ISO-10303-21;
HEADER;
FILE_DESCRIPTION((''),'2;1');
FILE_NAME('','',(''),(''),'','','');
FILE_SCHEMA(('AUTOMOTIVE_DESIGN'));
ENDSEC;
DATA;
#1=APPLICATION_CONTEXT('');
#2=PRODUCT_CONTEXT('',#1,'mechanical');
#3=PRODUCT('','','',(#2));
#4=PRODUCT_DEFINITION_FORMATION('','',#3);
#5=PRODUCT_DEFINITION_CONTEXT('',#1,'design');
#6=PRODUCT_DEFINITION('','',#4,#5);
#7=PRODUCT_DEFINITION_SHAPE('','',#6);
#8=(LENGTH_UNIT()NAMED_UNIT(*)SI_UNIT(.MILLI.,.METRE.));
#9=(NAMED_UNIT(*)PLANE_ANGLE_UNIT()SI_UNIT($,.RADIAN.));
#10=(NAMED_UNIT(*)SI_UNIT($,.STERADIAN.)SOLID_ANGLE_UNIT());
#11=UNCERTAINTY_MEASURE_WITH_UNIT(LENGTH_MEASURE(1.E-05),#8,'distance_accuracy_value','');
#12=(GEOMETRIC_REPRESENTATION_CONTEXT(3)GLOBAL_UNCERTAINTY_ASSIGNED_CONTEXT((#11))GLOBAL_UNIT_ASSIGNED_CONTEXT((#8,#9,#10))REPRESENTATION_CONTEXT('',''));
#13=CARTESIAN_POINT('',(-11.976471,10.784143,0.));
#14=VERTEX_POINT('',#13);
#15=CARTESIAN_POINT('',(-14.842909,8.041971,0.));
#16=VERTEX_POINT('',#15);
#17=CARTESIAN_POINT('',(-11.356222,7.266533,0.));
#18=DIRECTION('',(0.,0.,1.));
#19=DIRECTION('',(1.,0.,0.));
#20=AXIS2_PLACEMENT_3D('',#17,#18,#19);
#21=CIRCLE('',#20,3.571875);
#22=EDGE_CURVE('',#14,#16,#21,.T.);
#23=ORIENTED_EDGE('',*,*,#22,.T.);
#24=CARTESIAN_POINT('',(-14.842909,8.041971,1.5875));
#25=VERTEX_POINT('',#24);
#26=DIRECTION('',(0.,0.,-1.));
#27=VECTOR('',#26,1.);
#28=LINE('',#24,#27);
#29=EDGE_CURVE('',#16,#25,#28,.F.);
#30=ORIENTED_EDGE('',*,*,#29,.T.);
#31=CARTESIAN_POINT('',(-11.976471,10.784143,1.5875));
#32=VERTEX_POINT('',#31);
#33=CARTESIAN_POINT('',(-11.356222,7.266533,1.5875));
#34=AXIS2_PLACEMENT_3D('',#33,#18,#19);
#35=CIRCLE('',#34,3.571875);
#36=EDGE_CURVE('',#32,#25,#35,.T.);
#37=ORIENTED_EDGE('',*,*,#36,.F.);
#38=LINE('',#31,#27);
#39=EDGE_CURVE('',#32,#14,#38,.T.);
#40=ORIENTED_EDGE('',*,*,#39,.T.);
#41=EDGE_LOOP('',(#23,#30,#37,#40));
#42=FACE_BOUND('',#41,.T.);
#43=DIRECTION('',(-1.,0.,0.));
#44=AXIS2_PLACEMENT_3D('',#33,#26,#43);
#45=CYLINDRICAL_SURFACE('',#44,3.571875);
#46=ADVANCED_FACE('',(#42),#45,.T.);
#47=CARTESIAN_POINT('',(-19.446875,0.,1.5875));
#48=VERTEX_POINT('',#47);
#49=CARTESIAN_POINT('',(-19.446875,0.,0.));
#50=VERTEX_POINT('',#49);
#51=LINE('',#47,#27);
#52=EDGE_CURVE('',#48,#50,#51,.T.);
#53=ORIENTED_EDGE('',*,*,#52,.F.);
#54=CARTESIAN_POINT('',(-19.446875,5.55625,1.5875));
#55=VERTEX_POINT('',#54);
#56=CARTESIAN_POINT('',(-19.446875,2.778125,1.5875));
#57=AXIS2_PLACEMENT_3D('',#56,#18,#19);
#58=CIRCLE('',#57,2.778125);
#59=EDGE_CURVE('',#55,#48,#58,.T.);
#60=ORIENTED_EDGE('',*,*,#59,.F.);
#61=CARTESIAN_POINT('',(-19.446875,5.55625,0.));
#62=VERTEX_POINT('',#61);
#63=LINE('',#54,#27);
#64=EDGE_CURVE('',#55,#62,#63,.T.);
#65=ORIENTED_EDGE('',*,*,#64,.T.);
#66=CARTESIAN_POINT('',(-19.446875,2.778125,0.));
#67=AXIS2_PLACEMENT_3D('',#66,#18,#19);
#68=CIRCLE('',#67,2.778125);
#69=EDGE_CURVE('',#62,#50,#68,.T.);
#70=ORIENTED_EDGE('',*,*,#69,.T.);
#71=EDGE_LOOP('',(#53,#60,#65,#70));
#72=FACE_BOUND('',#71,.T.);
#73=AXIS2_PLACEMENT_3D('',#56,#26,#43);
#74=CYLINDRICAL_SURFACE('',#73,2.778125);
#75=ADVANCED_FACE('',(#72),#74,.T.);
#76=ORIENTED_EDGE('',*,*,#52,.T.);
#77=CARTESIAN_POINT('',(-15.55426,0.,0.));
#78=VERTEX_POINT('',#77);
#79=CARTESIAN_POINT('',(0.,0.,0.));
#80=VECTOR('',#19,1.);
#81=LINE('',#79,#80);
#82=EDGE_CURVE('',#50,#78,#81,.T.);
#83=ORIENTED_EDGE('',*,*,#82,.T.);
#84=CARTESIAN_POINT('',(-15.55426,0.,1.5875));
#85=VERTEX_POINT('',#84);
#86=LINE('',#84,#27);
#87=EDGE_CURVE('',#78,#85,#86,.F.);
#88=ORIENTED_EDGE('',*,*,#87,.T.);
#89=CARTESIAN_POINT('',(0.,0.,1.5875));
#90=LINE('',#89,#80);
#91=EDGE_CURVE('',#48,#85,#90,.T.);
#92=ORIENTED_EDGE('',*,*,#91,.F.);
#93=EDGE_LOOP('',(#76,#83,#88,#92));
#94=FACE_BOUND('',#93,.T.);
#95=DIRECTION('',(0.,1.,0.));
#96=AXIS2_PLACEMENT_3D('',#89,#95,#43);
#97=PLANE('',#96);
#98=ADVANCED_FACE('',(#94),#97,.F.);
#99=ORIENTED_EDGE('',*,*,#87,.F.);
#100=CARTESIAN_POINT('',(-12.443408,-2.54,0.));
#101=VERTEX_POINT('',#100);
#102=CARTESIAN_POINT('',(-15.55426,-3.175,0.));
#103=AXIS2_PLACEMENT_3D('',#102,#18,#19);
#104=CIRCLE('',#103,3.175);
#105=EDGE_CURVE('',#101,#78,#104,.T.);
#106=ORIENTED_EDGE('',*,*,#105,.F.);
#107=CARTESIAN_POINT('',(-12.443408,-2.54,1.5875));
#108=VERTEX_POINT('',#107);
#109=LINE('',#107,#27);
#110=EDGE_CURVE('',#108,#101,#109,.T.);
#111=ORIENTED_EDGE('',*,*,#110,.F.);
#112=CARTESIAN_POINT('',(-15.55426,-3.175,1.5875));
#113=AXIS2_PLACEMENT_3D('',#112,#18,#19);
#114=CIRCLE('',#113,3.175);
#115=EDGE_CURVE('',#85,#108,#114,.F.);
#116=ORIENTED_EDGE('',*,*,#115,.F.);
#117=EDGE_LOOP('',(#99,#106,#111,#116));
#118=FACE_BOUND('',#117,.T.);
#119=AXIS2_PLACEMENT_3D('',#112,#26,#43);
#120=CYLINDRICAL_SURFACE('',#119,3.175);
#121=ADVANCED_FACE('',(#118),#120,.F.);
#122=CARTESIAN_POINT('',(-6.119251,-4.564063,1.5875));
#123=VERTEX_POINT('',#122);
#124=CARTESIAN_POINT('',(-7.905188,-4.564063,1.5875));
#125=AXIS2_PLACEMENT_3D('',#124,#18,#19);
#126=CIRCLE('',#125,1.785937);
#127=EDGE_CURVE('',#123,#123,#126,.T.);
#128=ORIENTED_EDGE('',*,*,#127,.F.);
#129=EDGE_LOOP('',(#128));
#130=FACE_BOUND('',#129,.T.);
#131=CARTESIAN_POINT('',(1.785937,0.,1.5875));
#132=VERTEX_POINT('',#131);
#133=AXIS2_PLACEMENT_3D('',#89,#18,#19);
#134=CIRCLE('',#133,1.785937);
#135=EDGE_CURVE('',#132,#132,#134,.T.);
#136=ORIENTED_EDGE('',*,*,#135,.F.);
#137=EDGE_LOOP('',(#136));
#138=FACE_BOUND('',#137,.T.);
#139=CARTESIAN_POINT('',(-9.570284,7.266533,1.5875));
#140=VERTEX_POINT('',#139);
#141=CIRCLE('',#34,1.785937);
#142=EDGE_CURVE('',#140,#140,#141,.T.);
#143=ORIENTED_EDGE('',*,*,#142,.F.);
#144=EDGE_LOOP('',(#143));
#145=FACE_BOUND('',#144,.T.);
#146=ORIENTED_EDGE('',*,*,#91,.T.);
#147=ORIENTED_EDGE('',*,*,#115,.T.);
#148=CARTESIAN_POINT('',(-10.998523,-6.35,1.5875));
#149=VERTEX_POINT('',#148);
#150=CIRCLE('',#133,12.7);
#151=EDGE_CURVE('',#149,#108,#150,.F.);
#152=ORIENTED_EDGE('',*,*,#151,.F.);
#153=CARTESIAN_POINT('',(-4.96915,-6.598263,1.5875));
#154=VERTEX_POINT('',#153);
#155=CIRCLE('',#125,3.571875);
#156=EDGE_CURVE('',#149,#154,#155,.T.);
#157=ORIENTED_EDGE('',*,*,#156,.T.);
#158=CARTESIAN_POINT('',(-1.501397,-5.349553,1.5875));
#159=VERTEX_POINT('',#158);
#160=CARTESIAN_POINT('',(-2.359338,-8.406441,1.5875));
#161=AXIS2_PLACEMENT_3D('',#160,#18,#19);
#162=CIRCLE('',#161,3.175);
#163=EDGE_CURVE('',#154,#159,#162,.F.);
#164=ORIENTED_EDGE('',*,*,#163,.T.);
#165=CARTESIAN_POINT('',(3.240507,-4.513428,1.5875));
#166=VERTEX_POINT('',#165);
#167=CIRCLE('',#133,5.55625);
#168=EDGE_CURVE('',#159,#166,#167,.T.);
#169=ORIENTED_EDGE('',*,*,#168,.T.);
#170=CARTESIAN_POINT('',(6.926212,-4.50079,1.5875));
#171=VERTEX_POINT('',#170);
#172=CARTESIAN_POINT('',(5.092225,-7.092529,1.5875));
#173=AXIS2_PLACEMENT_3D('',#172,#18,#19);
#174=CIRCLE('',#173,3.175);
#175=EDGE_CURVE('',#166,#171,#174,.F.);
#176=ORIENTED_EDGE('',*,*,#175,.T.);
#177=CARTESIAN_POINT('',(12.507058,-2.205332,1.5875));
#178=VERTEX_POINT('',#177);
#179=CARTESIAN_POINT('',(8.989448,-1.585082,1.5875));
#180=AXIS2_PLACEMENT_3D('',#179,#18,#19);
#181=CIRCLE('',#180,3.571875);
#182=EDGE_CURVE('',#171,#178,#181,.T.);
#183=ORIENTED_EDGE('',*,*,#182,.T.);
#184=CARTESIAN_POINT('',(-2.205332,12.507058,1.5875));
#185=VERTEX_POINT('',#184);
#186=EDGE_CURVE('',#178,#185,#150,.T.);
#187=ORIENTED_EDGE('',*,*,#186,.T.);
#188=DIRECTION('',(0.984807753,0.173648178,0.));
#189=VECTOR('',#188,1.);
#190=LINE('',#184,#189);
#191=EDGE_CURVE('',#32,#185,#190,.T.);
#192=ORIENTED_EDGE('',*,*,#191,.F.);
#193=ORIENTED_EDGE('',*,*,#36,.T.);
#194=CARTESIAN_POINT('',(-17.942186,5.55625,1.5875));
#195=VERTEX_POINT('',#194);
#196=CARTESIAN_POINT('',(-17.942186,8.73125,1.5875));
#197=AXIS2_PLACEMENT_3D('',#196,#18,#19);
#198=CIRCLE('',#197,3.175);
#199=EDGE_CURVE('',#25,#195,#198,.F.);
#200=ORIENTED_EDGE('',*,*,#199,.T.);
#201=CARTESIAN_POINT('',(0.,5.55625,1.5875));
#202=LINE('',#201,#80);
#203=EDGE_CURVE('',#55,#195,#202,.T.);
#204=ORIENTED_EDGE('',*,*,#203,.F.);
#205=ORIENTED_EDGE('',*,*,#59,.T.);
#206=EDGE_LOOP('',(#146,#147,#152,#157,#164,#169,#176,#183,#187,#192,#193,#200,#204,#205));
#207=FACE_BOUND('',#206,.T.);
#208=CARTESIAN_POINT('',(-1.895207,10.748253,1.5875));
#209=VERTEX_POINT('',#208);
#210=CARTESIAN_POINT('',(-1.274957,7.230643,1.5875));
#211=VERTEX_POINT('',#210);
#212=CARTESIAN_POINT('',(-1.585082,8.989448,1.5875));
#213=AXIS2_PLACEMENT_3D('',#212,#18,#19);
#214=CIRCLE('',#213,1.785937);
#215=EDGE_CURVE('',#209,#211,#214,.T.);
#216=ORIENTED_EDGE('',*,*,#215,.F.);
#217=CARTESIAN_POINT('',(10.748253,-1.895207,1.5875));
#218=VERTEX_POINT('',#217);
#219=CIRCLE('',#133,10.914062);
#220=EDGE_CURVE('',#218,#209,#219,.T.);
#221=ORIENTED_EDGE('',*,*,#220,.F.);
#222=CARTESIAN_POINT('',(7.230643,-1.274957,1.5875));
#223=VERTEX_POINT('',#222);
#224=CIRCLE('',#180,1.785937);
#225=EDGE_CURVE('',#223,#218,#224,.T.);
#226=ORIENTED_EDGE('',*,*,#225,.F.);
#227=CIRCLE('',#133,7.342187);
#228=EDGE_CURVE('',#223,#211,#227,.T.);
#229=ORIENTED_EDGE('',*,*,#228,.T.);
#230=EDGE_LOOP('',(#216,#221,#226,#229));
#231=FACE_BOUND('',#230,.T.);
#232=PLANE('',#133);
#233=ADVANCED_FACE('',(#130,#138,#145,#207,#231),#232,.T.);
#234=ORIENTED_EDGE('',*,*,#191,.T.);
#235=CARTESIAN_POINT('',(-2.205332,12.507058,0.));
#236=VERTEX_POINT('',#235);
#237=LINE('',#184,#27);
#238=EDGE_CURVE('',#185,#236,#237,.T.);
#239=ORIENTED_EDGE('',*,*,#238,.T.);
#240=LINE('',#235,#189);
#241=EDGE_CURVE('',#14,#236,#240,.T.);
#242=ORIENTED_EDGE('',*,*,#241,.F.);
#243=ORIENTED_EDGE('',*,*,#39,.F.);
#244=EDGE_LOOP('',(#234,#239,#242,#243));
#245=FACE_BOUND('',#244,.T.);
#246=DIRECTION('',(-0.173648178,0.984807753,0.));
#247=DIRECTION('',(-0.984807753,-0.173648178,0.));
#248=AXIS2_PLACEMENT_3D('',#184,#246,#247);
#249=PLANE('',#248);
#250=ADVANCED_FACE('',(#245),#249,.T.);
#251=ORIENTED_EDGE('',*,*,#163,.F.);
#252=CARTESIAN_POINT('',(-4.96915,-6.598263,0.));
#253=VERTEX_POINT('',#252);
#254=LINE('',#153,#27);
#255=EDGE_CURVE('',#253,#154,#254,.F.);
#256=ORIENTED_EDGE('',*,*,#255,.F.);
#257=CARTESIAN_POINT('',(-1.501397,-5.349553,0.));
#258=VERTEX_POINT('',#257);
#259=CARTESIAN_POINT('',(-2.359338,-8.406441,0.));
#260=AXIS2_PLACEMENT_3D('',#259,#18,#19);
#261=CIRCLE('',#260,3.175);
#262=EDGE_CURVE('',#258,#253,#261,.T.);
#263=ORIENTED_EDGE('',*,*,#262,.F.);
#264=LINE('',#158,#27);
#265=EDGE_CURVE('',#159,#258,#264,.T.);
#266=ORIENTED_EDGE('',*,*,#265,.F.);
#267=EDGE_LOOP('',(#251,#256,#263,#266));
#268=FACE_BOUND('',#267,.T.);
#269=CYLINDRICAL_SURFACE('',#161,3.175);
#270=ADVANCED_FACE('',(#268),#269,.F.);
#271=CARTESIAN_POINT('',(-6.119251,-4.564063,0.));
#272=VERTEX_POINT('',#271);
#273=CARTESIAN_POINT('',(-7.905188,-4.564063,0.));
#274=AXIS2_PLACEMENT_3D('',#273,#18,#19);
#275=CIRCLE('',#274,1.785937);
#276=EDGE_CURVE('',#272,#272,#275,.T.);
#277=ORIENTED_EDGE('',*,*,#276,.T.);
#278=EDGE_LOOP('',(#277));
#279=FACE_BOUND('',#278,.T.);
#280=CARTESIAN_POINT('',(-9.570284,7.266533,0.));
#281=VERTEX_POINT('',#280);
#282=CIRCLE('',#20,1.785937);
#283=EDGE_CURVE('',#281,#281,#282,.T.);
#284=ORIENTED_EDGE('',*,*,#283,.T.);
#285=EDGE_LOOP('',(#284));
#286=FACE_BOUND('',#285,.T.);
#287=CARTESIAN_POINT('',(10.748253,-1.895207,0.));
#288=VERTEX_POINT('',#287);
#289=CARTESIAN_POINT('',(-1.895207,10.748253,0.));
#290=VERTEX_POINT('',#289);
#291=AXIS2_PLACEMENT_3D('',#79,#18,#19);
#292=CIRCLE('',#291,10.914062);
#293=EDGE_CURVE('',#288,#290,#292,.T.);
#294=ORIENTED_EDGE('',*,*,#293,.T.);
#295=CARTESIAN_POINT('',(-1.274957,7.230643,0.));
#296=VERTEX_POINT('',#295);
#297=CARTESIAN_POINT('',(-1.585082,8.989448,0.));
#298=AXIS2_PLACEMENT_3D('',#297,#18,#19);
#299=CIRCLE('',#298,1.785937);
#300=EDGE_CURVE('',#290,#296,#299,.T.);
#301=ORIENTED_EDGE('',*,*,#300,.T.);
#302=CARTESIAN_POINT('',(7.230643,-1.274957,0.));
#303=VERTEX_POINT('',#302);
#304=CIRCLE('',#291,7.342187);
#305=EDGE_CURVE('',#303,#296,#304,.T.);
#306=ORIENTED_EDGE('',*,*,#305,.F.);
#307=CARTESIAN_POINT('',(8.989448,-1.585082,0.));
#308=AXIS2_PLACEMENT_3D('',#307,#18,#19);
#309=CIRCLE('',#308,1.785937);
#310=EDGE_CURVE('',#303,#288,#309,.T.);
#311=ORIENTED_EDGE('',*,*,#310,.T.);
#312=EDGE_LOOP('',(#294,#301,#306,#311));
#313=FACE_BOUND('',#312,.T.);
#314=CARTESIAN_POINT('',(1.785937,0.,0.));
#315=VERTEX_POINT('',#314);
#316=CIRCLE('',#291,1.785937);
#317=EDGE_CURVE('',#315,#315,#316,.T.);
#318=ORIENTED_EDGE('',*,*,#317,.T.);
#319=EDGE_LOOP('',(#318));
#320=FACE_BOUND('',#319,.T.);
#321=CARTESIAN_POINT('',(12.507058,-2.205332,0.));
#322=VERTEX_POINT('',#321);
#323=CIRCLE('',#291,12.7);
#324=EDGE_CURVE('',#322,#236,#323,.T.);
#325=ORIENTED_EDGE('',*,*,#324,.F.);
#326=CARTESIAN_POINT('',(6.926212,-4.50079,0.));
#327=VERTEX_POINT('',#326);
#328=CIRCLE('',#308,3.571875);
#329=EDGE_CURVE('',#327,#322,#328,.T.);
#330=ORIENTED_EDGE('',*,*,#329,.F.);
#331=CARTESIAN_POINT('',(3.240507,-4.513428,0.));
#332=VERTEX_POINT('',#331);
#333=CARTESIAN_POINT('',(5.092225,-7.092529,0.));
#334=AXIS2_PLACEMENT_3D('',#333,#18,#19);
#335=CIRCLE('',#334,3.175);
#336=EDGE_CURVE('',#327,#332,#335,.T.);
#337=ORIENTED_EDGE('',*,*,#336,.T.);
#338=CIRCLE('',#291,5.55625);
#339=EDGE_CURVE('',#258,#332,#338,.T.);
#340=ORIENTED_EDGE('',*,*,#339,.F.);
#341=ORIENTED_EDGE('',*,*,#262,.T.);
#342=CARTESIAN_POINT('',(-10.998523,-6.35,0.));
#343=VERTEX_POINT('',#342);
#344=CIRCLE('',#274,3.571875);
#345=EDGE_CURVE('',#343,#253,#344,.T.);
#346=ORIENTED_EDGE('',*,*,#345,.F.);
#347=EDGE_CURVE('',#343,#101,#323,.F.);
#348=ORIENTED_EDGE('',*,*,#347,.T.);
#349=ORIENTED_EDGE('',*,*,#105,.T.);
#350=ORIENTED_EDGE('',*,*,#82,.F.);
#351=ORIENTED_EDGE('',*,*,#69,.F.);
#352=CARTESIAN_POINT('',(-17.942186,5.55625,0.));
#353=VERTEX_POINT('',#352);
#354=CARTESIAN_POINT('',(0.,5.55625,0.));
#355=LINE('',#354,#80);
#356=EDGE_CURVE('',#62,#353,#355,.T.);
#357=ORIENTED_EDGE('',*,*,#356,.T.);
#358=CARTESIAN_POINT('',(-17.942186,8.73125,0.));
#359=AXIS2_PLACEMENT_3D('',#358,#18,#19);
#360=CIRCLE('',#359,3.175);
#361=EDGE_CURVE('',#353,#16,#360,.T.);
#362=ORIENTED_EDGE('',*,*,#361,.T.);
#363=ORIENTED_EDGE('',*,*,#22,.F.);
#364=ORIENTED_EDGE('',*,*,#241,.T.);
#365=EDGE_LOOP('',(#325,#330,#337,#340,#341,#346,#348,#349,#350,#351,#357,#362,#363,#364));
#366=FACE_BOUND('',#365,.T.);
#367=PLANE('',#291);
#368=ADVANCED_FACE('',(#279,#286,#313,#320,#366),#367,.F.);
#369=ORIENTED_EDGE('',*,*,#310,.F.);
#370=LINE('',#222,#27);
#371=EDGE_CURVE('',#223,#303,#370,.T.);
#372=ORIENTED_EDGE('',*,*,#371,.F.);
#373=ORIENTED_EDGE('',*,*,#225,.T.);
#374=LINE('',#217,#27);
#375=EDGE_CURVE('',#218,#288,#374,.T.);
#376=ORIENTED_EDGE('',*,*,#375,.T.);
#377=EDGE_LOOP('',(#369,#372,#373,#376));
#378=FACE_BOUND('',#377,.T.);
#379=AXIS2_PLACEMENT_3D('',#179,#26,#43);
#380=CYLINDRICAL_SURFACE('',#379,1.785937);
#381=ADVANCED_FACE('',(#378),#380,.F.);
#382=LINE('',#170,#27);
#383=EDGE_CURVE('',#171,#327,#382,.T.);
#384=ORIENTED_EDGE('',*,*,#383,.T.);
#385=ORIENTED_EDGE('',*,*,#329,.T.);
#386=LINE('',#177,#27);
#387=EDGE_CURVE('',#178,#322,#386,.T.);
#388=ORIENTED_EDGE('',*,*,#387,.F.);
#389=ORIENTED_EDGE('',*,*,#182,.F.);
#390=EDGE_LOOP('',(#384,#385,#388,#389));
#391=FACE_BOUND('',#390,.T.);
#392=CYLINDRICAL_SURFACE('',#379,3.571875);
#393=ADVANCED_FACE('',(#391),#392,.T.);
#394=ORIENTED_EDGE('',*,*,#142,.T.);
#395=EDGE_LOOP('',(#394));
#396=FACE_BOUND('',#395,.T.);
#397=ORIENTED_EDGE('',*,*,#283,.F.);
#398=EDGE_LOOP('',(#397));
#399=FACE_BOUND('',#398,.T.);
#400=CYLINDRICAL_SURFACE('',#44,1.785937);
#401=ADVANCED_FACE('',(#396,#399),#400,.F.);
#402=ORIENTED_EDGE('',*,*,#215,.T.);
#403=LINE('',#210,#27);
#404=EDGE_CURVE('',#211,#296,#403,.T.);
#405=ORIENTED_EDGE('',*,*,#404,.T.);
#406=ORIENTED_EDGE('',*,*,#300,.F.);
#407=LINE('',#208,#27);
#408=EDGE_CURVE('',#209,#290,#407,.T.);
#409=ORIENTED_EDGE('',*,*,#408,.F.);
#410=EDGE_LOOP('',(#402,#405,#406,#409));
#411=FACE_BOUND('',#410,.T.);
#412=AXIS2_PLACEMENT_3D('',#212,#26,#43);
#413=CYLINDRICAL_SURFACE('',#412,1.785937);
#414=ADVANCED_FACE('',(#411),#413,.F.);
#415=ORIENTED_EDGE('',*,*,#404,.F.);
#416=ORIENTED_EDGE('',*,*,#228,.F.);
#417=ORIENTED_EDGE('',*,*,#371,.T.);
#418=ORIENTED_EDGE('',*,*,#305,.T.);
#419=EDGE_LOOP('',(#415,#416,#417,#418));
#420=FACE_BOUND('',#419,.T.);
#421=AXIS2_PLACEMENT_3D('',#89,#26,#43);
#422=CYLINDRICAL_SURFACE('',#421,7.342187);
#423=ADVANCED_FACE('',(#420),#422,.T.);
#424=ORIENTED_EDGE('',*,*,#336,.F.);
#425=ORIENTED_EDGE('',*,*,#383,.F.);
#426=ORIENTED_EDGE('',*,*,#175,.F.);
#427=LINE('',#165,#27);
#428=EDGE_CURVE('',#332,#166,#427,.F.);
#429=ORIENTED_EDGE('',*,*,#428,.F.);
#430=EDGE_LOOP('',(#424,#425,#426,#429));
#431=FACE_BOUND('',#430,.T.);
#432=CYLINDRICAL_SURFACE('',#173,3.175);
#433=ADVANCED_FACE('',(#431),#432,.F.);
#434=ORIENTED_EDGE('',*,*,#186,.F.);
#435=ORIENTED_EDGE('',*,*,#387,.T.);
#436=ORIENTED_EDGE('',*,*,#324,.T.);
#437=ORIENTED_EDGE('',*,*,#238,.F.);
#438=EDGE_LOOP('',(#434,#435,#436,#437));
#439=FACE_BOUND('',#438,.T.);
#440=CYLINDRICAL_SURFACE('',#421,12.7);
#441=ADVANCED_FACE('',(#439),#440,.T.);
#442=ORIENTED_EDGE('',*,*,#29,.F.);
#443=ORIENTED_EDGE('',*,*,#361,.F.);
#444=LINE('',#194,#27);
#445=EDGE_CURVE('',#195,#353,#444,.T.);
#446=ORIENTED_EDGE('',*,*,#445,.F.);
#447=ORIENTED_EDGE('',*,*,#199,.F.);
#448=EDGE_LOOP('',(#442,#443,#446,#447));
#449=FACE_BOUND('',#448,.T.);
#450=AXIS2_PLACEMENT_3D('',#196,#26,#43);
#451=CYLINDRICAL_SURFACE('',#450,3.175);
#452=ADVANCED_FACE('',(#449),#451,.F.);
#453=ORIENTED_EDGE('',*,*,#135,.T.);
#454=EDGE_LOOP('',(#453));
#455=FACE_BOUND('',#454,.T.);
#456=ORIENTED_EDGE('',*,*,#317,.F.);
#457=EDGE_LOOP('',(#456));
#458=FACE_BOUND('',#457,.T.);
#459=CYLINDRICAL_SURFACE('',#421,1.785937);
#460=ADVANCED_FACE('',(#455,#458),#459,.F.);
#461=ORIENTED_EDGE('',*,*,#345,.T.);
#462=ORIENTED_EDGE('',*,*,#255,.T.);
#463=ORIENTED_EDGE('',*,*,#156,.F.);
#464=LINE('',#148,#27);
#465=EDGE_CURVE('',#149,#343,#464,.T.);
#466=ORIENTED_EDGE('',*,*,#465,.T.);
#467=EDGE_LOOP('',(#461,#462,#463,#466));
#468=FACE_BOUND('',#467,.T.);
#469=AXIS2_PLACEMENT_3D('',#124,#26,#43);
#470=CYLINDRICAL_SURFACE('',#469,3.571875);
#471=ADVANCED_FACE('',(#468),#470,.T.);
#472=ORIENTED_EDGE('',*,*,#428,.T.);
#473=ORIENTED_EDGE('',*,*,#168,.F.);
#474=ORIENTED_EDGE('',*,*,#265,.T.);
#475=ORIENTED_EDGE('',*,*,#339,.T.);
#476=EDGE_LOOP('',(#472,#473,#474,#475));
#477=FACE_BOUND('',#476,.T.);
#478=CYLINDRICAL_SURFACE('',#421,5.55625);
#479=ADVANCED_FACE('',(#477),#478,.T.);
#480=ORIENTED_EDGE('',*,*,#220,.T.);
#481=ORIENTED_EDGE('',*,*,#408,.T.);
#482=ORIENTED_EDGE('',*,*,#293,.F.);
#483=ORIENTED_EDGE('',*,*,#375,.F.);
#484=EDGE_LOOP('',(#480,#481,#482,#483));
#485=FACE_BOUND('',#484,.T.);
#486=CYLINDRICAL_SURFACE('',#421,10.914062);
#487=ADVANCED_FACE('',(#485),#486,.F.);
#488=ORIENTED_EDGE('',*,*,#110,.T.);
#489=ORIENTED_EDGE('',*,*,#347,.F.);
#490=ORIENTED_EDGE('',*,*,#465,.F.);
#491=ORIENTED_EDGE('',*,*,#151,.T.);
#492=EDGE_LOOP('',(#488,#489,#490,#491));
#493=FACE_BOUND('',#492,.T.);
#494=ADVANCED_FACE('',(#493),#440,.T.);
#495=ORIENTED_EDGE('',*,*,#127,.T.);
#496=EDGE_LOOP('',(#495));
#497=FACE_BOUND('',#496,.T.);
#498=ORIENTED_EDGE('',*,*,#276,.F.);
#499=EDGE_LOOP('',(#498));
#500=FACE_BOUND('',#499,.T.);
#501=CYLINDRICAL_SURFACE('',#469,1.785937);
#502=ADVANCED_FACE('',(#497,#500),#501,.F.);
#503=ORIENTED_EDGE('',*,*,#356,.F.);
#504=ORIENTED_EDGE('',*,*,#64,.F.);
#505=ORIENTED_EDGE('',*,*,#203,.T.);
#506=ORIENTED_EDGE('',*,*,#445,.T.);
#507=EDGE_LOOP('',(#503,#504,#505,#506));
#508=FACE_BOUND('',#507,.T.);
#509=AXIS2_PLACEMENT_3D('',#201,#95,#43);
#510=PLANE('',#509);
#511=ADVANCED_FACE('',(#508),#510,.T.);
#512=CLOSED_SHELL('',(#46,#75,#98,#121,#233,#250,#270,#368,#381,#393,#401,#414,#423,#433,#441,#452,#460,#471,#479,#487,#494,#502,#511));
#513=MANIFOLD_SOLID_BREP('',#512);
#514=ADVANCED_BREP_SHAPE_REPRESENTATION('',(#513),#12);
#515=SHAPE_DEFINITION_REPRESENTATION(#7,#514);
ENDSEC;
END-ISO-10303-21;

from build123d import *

# Parameters (mm, degrees)
SKETCH1_R           = 1.7859375
BOSS_EXTRUDE1_DEPTH = 1.5875
FILLET1_R           = 3.175


with BuildPart() as part:
    # Sketch1 → Boss-Extrude1 (new body)
    with BuildSketch(Plane.XY):
        with BuildLine():
            Line((-14.492018868, 5.55625), (-19.446875, 5.55625))
            ThreePointArc((-19.446875, 5.55625), (-22.225, 2.778125), (-19.446875, 0))
            Line((-19.446875, 0), (-12.7, 0))
            ThreePointArc((-12.7, 0), (-12.267257994, -3.287001873), (-10.998522628, -6.35))
            ThreePointArc((-10.998522628, -6.35), (-6.11925064, -7.65739699), (-4.811853648, -2.778125003))
            ThreePointArc((-4.811853648, -2.778125003), (0.964832728, -5.47183807), (5.471838092, -0.964832608))
            ThreePointArc((5.471838092, -0.964832608), (8.369198647, -5.102692458), (12.507058463, -2.205331856))
            ThreePointArc((12.507058463, -2.205331856), (8.980256121, 8.980256121), (-2.205331856, 12.507058463))
            Line((-2.205331856, 12.507058463), (-11.976471281, 10.78414295))
            ThreePointArc((-11.976471281, 10.78414295), (-14.574868615, 8.815275161), (-14.492018868, 5.55625))
        make_face()
        with BuildLine():
            ThreePointArc((-1.274957479, 7.230643174), (-3.343887368, 8.679323478), (-1.895207064, 10.748253367))
            ThreePointArc((-1.895207064, 10.748253367), (7.717407604, 7.717407604), (10.748253367, -1.895207064))
            ThreePointArc((10.748253367, -1.895207064), (8.679323478, -3.343887368), (7.230643174, -1.274957479))
            ThreePointArc((7.230643174, -1.274957479), (5.19171057, 5.19171057), (-1.274957479, 7.230643174))
        make_face(mode=Mode.SUBTRACT)
        with Locations((-11.356221696, 7.266532758)):
            Circle(SKETCH1_R, mode=Mode.SUBTRACT)
        Circle(SKETCH1_R, mode=Mode.SUBTRACT)
        with Locations((-7.905188139, -4.5640625)):
            Circle(SKETCH1_R, mode=Mode.SUBTRACT)
    extrude(amount=BOSS_EXTRUDE1_DEPTH)

    # Fillet1
    fillet1_edges = [part.edges().sort_by_distance(p)[0] for p in [
        (-4.811853648, -2.778125003, 0.79375),
        (-12.7, 0, 0.79375),
        (-14.492018868, 5.55625, 0.79375),
        (5.471838092, -0.964832608, 0.79375),
    ]]
    fillet(fillet1_edges, radius=FILLET1_R)


solid = part.part
